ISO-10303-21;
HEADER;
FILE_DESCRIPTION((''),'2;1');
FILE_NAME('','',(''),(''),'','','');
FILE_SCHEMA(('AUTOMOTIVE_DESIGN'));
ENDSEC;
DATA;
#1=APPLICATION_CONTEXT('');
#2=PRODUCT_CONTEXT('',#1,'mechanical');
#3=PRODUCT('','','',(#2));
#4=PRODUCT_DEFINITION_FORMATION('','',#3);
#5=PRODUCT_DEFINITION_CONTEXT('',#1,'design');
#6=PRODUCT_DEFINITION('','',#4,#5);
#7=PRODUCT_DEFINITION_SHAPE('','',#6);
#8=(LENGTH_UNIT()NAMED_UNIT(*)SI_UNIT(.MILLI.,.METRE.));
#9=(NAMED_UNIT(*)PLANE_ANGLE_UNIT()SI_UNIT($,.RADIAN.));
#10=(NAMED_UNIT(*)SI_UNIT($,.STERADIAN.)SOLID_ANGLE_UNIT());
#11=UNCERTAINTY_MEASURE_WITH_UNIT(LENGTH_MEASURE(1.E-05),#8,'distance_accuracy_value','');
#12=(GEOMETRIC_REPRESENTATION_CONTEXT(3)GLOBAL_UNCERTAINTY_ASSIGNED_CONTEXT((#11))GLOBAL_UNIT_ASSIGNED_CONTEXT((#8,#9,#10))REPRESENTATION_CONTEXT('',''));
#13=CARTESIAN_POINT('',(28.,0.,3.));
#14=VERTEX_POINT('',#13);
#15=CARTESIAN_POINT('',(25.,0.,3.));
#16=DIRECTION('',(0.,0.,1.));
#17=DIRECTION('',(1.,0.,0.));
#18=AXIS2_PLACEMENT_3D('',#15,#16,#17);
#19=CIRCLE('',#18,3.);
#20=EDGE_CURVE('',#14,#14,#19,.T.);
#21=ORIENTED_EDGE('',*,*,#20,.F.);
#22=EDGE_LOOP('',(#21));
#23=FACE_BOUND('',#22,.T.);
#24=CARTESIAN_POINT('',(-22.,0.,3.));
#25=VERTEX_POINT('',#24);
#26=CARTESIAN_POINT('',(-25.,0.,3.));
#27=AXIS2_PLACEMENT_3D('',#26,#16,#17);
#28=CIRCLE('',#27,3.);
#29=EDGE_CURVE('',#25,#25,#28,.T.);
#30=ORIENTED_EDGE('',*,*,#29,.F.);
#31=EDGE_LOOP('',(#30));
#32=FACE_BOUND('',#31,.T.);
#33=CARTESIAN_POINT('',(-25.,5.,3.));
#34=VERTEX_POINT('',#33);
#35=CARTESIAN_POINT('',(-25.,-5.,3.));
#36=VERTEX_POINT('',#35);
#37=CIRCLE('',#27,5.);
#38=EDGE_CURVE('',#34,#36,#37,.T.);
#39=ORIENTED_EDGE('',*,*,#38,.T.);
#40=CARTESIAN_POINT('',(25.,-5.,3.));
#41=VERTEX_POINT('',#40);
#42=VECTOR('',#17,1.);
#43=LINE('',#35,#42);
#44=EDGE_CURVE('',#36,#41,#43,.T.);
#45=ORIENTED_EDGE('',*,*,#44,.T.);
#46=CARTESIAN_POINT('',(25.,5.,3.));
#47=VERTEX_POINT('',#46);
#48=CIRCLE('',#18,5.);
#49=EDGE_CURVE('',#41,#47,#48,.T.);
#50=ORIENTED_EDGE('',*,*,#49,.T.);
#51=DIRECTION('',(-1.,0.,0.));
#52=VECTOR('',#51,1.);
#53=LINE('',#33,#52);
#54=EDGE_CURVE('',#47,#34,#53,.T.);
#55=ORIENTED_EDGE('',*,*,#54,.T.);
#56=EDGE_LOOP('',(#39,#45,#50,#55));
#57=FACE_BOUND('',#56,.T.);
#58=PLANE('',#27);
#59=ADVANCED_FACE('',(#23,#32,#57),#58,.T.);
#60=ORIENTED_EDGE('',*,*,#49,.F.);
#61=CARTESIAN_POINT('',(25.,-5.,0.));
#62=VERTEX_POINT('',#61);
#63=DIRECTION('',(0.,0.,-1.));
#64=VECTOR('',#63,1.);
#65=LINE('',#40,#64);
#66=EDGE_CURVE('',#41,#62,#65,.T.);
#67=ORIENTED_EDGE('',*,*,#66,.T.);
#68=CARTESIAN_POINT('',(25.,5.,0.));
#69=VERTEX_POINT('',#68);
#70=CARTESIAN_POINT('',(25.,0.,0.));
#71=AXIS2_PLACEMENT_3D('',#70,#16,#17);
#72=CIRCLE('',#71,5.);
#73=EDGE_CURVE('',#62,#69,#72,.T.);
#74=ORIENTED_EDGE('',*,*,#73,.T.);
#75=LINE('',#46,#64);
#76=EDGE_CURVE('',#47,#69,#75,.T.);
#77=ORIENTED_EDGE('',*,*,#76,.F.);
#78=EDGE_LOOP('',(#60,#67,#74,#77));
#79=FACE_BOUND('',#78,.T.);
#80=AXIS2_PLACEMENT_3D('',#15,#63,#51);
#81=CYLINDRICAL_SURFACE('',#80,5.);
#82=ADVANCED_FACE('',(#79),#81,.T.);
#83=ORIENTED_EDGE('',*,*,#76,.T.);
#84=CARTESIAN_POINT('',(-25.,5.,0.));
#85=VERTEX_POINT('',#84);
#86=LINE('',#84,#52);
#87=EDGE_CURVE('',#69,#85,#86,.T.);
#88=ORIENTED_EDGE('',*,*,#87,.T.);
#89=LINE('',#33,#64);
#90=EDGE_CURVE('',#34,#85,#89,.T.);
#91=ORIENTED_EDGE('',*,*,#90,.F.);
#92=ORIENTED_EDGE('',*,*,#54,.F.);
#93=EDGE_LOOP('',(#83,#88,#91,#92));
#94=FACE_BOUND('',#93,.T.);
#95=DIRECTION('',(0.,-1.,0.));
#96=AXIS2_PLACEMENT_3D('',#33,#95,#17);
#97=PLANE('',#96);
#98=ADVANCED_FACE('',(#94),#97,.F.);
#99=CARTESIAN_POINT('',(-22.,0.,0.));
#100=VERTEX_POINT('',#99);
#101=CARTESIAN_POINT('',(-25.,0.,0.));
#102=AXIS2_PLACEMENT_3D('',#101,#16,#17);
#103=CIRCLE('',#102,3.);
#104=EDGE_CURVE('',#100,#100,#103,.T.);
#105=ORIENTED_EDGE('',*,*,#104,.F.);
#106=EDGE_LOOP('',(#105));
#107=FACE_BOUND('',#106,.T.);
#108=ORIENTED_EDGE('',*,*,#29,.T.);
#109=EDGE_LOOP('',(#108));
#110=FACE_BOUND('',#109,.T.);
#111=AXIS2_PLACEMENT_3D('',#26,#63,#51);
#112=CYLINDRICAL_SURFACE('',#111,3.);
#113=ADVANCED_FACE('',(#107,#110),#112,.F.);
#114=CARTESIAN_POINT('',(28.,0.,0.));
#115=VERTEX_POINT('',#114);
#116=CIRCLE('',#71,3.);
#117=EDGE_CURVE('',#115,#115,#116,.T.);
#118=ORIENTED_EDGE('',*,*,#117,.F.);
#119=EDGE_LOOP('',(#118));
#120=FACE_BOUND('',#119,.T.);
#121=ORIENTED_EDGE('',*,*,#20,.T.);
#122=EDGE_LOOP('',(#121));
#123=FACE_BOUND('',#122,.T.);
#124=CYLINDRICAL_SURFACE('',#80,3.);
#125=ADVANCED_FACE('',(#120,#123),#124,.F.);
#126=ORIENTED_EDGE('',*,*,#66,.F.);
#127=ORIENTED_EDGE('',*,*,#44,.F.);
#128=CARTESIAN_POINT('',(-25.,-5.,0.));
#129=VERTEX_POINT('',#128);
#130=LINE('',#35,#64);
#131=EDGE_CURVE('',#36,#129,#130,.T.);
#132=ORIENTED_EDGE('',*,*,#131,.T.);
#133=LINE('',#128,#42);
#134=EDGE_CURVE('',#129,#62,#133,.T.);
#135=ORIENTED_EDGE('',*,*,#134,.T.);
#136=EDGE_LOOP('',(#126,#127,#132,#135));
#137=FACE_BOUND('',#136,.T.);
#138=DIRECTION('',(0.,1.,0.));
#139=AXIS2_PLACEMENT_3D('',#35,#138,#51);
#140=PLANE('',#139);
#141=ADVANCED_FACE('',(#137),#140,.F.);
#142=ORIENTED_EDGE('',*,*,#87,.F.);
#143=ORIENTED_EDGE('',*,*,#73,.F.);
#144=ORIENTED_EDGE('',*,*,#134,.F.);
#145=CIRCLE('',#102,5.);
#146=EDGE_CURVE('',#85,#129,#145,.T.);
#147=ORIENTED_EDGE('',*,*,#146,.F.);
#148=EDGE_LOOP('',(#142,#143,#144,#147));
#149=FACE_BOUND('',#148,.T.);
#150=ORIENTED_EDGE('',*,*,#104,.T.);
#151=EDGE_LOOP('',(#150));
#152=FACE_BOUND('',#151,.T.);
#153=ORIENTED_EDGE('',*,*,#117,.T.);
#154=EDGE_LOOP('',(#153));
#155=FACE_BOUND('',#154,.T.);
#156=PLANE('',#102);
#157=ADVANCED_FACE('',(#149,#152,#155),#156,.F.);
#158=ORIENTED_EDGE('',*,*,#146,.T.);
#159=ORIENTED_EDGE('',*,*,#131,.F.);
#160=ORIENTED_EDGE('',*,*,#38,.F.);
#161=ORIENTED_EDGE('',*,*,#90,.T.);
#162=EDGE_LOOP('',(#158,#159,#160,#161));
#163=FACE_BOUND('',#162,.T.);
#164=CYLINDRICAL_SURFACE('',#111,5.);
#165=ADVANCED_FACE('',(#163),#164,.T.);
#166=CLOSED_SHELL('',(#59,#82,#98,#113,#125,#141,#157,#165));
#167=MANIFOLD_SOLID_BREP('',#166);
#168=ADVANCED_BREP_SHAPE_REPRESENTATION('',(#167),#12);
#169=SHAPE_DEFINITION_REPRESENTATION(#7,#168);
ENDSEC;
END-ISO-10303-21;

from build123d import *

# Parameters (mm, degrees)
SKETCH_1_R      = 3
EXTRUDE_1_DEPTH = 3


with BuildPart() as part:
    # ｽｹｯﾁ1 → ﾎﾞｽ - 押し出し1 (new body)
    with BuildSketch(Plane.XY):
        with BuildLine():
            Line((-25, 5), (25, 5))
            ThreePointArc((25, 5), (30, 0), (25, -5))
            Line((25, -5), (-25, -5))
            ThreePointArc((-25, -5), (-30, 0), (-25, 5))
        make_face()
        with Locations((-25, 0)):
            Circle(SKETCH_1_R, mode=Mode.SUBTRACT)
        with Locations((25, 0)):
            Circle(SKETCH_1_R, mode=Mode.SUBTRACT)
    extrude(amount=EXTRUDE_1_DEPTH)


solid = part.part
